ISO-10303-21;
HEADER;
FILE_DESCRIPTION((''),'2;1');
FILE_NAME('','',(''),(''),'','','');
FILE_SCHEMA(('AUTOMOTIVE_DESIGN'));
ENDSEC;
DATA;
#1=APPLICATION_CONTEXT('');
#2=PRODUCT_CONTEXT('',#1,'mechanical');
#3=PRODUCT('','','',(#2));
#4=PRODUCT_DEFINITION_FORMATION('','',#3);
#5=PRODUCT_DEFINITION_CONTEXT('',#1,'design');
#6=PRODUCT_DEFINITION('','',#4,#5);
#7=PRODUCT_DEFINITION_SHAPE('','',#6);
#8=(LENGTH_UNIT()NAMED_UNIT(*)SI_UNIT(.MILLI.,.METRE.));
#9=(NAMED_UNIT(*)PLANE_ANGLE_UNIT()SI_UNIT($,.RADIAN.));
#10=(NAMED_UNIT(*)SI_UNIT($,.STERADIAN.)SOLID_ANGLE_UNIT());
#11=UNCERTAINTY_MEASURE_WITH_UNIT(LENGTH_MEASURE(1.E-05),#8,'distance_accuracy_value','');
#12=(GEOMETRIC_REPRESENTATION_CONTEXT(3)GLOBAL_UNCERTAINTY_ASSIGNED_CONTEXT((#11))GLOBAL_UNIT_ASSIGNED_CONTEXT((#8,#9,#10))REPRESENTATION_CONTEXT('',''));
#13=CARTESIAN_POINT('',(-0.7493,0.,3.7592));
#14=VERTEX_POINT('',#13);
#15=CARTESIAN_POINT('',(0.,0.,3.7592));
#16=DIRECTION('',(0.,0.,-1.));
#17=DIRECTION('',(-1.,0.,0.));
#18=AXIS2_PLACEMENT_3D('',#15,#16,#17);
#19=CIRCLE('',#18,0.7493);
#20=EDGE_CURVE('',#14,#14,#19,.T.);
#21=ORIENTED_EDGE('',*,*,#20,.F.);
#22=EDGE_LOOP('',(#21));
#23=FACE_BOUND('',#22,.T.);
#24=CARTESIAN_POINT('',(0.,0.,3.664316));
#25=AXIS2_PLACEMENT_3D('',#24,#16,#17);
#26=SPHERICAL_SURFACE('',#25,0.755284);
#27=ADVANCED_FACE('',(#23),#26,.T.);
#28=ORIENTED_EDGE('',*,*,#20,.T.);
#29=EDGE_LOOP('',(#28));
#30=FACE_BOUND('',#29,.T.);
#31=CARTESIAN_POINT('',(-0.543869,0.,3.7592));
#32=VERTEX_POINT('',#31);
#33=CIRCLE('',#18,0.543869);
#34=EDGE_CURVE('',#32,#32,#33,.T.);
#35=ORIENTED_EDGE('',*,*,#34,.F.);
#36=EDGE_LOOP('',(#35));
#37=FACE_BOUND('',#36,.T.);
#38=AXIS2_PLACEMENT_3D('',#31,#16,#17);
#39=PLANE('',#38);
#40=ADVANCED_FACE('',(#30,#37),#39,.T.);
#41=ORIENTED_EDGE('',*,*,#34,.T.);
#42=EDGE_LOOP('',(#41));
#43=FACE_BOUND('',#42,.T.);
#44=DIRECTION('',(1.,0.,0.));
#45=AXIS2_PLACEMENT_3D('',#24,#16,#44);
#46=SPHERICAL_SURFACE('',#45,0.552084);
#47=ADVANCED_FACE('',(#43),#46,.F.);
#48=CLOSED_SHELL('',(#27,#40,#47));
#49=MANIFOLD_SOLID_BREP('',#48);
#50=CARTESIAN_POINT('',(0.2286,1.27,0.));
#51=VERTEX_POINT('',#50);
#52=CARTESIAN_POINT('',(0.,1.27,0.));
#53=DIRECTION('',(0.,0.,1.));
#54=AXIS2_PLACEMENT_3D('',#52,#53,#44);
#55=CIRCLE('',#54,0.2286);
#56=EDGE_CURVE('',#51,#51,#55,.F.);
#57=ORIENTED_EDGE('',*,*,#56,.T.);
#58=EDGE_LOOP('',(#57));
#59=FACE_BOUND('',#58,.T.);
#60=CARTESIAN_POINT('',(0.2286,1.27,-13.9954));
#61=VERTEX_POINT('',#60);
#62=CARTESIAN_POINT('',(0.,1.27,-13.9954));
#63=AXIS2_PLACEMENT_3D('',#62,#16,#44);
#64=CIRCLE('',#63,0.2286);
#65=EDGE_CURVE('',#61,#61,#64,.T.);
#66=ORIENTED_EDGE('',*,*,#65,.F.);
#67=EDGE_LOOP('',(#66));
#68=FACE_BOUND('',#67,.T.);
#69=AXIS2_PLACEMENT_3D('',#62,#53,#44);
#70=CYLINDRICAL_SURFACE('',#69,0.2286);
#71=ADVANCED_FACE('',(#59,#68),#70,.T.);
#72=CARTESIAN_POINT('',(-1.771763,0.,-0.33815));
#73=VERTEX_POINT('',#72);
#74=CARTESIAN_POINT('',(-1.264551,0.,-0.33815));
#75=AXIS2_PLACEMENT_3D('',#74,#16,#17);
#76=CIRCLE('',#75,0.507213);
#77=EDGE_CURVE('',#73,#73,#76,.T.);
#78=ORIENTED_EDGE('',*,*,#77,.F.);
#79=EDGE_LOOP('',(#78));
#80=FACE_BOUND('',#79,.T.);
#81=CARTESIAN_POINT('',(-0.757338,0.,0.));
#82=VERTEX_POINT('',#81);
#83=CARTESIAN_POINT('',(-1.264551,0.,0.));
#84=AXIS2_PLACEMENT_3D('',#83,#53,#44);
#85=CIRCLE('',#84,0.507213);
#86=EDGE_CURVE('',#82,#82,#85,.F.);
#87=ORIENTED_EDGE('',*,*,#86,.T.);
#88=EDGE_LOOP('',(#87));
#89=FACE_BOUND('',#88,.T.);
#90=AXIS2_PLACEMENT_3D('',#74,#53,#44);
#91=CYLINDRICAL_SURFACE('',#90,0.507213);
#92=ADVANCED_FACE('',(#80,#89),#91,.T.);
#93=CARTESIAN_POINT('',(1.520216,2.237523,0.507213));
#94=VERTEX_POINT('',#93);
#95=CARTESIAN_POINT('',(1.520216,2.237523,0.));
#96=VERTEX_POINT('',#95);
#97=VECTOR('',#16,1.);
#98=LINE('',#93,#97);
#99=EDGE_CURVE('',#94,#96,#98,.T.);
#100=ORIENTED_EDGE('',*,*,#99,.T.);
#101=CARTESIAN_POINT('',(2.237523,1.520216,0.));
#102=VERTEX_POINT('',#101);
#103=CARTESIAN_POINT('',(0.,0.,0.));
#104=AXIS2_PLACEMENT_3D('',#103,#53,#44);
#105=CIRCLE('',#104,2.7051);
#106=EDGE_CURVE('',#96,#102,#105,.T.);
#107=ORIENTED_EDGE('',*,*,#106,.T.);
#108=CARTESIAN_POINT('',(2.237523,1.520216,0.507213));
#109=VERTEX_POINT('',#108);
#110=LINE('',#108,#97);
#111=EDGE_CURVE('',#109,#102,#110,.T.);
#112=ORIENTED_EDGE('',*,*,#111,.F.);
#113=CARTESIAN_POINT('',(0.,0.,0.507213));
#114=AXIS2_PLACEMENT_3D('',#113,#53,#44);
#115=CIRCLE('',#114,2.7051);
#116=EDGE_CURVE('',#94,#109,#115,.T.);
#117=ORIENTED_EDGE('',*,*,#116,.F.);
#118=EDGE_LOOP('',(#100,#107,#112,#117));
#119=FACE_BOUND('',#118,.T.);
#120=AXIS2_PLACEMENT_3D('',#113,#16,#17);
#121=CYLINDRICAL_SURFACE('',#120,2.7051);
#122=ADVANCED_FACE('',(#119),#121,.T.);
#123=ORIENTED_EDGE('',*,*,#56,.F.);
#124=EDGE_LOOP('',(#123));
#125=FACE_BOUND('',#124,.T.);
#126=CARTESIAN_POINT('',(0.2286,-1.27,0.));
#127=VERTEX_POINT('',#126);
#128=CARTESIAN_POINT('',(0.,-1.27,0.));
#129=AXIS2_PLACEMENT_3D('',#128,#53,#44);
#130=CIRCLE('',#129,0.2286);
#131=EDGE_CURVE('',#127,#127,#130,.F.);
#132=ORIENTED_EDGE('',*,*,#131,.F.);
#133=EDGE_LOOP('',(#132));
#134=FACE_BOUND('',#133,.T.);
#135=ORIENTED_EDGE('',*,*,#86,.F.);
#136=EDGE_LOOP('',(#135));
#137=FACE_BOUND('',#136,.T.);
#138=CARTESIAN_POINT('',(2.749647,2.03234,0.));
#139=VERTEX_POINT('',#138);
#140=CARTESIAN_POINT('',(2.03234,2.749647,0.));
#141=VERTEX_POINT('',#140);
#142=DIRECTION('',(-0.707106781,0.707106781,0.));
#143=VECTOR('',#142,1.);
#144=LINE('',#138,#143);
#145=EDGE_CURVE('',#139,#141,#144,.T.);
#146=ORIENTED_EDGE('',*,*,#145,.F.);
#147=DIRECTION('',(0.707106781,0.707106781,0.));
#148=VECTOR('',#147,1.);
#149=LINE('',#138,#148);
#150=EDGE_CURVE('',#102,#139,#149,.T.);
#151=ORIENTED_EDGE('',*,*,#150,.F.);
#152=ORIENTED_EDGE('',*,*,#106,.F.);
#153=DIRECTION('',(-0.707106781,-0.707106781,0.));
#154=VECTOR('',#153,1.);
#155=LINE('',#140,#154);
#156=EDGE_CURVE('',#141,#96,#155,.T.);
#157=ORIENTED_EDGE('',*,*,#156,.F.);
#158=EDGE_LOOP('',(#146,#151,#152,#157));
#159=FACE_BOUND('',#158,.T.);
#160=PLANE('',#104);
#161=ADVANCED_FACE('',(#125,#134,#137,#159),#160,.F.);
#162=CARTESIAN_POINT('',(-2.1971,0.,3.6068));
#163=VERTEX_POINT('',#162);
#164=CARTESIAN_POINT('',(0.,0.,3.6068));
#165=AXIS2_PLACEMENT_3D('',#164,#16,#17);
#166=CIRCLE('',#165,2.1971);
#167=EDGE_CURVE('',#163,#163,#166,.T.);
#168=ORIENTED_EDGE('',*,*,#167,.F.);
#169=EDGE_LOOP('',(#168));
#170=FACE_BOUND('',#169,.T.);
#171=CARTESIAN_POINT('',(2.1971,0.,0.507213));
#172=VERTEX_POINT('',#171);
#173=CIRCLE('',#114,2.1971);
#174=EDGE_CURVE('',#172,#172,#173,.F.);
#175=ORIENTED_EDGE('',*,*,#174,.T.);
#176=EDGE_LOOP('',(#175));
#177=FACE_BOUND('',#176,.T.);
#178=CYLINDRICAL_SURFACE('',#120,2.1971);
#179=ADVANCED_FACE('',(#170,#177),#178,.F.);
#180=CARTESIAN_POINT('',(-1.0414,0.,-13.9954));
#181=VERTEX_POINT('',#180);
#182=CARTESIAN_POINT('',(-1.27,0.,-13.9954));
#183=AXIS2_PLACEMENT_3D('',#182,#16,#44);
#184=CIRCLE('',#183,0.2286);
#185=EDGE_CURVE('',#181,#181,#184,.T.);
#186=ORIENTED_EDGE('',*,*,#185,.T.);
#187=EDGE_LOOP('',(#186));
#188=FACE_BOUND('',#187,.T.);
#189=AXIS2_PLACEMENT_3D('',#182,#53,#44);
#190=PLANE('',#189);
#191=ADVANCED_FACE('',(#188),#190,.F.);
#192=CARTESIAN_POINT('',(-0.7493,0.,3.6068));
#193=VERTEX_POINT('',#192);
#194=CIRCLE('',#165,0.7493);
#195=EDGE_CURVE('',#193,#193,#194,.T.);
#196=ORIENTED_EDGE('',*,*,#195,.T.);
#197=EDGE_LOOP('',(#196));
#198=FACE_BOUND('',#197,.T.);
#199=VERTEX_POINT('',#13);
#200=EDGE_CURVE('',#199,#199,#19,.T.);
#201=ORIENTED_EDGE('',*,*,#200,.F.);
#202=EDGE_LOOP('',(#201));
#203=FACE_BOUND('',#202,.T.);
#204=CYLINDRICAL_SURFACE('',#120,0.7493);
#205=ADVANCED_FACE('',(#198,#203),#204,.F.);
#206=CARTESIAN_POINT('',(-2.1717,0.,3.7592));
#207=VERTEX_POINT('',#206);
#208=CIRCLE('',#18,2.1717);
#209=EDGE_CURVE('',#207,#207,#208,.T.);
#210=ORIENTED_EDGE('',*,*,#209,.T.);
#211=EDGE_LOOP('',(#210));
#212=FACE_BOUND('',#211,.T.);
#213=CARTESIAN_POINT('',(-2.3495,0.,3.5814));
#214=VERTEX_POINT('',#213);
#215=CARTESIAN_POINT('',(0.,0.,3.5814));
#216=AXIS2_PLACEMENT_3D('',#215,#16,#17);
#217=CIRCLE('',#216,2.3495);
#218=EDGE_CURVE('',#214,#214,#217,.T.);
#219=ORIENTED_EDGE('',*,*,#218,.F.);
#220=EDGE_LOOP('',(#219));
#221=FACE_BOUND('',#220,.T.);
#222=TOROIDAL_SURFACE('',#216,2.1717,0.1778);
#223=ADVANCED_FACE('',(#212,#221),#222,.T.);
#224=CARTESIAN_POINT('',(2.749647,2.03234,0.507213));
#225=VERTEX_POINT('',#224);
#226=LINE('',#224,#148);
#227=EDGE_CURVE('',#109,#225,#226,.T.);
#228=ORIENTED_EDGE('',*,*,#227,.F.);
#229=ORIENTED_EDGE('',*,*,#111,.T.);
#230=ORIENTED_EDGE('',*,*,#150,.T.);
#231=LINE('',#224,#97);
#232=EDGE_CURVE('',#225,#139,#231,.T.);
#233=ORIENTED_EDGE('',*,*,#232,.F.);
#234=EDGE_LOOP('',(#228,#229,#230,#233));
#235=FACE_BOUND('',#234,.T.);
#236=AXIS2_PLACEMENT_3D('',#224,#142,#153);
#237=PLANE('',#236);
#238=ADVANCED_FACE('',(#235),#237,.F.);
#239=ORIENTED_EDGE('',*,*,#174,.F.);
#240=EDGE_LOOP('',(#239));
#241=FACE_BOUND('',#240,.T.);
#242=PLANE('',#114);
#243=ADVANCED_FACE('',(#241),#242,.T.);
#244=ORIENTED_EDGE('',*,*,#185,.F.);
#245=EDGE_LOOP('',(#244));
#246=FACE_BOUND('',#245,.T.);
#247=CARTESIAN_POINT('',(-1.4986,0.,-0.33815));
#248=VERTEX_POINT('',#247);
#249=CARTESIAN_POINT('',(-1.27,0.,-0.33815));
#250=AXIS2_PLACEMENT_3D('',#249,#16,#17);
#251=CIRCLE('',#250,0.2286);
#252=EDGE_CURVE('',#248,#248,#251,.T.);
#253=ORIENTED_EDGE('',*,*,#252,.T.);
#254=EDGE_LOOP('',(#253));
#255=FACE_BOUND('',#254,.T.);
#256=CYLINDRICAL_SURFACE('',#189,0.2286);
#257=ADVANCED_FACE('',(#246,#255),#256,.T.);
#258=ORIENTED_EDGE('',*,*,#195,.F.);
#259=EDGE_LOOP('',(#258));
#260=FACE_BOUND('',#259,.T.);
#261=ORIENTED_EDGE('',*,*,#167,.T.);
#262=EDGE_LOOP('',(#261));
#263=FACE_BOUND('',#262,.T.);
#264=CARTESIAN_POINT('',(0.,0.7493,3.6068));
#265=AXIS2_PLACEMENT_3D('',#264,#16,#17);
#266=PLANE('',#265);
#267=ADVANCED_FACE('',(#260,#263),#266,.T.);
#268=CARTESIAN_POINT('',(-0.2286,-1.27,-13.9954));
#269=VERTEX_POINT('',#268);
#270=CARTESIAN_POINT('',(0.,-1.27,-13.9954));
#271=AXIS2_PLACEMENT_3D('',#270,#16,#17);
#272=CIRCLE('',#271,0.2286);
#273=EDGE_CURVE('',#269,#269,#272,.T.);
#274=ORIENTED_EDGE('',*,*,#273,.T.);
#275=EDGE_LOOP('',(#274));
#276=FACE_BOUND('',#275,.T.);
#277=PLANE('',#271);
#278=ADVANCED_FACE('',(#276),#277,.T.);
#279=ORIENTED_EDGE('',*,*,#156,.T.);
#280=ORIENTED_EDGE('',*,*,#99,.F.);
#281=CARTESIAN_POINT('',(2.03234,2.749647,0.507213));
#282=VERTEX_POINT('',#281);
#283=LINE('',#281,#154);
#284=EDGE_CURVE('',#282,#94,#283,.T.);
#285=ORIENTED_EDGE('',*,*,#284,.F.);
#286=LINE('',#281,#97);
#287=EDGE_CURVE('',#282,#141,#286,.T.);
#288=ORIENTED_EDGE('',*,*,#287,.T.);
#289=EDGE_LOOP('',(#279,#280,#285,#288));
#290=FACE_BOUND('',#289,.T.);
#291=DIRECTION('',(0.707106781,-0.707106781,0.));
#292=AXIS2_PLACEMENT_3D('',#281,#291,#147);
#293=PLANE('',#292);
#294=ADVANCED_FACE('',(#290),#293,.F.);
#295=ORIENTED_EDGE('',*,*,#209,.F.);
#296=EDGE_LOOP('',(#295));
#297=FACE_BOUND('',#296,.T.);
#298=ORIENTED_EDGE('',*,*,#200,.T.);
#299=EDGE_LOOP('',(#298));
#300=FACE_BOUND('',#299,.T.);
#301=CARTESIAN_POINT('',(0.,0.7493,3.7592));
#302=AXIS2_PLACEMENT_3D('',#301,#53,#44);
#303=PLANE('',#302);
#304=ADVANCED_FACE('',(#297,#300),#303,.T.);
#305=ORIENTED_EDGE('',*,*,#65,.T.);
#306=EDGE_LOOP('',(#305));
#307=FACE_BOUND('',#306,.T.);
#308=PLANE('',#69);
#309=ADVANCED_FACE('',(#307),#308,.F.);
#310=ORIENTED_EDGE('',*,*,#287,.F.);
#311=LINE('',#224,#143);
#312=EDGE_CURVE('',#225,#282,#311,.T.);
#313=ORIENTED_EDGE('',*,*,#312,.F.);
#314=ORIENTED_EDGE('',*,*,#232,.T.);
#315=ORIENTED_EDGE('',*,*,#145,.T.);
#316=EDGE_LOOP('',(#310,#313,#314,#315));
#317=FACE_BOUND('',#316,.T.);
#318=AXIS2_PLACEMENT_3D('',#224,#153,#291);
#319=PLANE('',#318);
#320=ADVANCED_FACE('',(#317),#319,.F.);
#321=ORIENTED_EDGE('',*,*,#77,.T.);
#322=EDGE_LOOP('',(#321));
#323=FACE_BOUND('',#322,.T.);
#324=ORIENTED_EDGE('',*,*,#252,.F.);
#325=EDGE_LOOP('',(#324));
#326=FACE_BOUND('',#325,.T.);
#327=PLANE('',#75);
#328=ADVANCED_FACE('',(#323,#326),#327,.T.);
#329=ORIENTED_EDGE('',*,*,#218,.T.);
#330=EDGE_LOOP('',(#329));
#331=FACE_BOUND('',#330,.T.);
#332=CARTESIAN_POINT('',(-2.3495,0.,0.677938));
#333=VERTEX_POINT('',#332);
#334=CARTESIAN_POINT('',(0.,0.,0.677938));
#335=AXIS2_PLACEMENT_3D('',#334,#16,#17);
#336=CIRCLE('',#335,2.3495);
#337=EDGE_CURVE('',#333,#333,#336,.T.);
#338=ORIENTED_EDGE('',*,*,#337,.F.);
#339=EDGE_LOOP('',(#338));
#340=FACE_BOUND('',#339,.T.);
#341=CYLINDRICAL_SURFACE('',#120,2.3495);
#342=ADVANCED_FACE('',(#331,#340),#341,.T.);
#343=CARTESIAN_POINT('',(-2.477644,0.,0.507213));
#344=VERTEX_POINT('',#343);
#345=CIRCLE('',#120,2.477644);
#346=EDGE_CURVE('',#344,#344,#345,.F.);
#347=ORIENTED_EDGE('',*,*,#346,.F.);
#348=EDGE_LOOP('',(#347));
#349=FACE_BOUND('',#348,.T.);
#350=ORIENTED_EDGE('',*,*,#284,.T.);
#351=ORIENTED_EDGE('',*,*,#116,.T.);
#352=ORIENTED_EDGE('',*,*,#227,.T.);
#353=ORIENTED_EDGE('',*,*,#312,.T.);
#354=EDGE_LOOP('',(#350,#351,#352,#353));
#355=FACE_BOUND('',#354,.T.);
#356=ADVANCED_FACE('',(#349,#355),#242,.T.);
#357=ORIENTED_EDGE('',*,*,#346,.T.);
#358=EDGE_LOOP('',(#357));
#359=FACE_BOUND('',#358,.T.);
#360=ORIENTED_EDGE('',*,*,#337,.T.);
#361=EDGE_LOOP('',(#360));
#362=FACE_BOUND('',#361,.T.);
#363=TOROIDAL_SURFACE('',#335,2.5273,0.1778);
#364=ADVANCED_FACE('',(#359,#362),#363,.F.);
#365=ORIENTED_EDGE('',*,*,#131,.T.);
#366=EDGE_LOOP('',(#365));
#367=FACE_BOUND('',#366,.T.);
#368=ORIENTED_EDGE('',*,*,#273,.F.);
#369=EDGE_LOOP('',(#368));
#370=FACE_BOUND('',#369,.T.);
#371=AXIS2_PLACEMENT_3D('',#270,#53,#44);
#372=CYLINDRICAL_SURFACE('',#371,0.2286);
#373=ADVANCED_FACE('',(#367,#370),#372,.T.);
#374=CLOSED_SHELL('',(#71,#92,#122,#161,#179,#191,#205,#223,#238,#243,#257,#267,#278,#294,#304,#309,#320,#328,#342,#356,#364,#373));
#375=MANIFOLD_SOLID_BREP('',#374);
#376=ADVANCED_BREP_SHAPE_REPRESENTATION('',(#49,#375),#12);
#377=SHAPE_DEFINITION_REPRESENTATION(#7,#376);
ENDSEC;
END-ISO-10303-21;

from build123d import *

# Parameters (mm, degrees)
BOSS_EXTRUDE1_DEPTH = 0.5072126
SKETCH7_R           = 0.2286
BOSS_EXTRUDE2_DEPTH = 13.9954
SKETCH8_R           = 0.5072126
BOSS_EXTRUDE3_DEPTH = 0.3381502


with BuildPart() as part:
    # Sketch1 → Boss-Extrude1 (new body)
    with BuildSketch(Plane.XY):
        with BuildLine():
            Line((2.749646661, 2.032339723), (2.032339723, 2.749646661))
            Line((2.032339723, 2.749646661), (1.520216057, 2.237522995))
            ThreePointArc((1.520216057, 2.237522995), (-1.912794554, -1.912794554), (2.237522995, 1.520216057))
            Line((2.237522995, 1.520216057), (2.749646661, 2.032339723))
        make_face()
    extrude(amount=BOSS_EXTRUDE1_DEPTH)

    # Sketch4 → Revolve1 (revolve)
    with BuildSketch(Plane(origin=(0, 0, 0), x_dir=(0, 0, -1), z_dir=(1, 0, 0)), mode=Mode.PRIVATE) as revolve1_sk:
        with BuildLine():
            Line((-0.677937746, 2.3495), (-3.581399897, 2.3495))
            ThreePointArc((-3.581399897, 2.3495), (-3.707123483, 2.297423586), (-3.759199897, 2.1717))
            Line((-3.759199897, 2.1717), (-3.759199897, 0.7493))
            Line((-3.759199897, 0.7493), (-3.606799897, 0.7493))
            Line((-3.606799897, 0.7493), (-3.606799897, 2.1971))
            Line((-3.606799897, 2.1971), (-0.5072126, 2.1971))
            Line((-0.5072126, 2.1971), (-0.5072126, 2.350316811))
            Line((-0.5072126, 2.350316811), (-0.5072126, 2.477643535))
            ThreePointArc((-0.5072126, 2.477643535), (-0.57120462, 2.38509986), (-0.677937746, 2.3495))
        make_face()
    revolve(revolve1_sk.sketch.rotate(Axis((0, 0, 0.5072126), (0, 0, 1)), 90), axis=Axis((0, 0, 0.5072126), (0, 0, 1)))  # turned: the seam where the file's is

    # Sketch7 → Boss-Extrude2 (add)
    with BuildSketch(Plane(origin=(0, 0, 0), x_dir=(-1, 0, 0), z_dir=(0, 0, -1))):
        with Locations(Location((0, -1.27, 0), (0, 0, 180))):  # turned: the seam where the file's is
            Circle(SKETCH7_R)
        with Locations(Location((1.27, 0, 0), (0, 0, 180))):  # turned: the seam where the file's is
            Circle(SKETCH7_R)
        with Locations(Location((0, 1.27, 0), (0, 0, 180))):  # turned: the seam where the file's is
            Circle(SKETCH7_R)
    extrude(amount=BOSS_EXTRUDE2_DEPTH)

    # Sketch8 → Boss-Extrude3 (add)
    with BuildSketch(Plane(origin=(0, 0, 0), x_dir=(-1, 0, 0), z_dir=(0, 0, -1))):
        with Locations(Location((1.264550567, 0, 0), (0, 0, 180))):  # turned: the seam where the file's is
            Circle(SKETCH8_R)
    extrude(amount=BOSS_EXTRUDE3_DEPTH)


with BuildPart() as body_2:
    # Sketch11 → Revolve3 (revolve)
    with BuildSketch(Plane(origin=(0, 0, 0), x_dir=(1, 0, 0), z_dir=(0, 1, 0))):
        with BuildLine():
            Line((0, -4.419599897), (0, -4.216399897))
            ThreePointArc((0, -4.216399897), (-0.355255293, -4.086915389), (-0.543868967, -3.759199897))
            Line((-0.543868967, -3.759199897), (-0.7493, -3.759199897))
            ThreePointArc((-0.7493, -3.759199897), (-0.499394296, -4.230936694), (0, -4.419599897))
        make_face()
    revolve(axis=Axis((0, 0, 3.759199897), (0, 0, 1)))


solid = Compound([part.part, body_2.part])
